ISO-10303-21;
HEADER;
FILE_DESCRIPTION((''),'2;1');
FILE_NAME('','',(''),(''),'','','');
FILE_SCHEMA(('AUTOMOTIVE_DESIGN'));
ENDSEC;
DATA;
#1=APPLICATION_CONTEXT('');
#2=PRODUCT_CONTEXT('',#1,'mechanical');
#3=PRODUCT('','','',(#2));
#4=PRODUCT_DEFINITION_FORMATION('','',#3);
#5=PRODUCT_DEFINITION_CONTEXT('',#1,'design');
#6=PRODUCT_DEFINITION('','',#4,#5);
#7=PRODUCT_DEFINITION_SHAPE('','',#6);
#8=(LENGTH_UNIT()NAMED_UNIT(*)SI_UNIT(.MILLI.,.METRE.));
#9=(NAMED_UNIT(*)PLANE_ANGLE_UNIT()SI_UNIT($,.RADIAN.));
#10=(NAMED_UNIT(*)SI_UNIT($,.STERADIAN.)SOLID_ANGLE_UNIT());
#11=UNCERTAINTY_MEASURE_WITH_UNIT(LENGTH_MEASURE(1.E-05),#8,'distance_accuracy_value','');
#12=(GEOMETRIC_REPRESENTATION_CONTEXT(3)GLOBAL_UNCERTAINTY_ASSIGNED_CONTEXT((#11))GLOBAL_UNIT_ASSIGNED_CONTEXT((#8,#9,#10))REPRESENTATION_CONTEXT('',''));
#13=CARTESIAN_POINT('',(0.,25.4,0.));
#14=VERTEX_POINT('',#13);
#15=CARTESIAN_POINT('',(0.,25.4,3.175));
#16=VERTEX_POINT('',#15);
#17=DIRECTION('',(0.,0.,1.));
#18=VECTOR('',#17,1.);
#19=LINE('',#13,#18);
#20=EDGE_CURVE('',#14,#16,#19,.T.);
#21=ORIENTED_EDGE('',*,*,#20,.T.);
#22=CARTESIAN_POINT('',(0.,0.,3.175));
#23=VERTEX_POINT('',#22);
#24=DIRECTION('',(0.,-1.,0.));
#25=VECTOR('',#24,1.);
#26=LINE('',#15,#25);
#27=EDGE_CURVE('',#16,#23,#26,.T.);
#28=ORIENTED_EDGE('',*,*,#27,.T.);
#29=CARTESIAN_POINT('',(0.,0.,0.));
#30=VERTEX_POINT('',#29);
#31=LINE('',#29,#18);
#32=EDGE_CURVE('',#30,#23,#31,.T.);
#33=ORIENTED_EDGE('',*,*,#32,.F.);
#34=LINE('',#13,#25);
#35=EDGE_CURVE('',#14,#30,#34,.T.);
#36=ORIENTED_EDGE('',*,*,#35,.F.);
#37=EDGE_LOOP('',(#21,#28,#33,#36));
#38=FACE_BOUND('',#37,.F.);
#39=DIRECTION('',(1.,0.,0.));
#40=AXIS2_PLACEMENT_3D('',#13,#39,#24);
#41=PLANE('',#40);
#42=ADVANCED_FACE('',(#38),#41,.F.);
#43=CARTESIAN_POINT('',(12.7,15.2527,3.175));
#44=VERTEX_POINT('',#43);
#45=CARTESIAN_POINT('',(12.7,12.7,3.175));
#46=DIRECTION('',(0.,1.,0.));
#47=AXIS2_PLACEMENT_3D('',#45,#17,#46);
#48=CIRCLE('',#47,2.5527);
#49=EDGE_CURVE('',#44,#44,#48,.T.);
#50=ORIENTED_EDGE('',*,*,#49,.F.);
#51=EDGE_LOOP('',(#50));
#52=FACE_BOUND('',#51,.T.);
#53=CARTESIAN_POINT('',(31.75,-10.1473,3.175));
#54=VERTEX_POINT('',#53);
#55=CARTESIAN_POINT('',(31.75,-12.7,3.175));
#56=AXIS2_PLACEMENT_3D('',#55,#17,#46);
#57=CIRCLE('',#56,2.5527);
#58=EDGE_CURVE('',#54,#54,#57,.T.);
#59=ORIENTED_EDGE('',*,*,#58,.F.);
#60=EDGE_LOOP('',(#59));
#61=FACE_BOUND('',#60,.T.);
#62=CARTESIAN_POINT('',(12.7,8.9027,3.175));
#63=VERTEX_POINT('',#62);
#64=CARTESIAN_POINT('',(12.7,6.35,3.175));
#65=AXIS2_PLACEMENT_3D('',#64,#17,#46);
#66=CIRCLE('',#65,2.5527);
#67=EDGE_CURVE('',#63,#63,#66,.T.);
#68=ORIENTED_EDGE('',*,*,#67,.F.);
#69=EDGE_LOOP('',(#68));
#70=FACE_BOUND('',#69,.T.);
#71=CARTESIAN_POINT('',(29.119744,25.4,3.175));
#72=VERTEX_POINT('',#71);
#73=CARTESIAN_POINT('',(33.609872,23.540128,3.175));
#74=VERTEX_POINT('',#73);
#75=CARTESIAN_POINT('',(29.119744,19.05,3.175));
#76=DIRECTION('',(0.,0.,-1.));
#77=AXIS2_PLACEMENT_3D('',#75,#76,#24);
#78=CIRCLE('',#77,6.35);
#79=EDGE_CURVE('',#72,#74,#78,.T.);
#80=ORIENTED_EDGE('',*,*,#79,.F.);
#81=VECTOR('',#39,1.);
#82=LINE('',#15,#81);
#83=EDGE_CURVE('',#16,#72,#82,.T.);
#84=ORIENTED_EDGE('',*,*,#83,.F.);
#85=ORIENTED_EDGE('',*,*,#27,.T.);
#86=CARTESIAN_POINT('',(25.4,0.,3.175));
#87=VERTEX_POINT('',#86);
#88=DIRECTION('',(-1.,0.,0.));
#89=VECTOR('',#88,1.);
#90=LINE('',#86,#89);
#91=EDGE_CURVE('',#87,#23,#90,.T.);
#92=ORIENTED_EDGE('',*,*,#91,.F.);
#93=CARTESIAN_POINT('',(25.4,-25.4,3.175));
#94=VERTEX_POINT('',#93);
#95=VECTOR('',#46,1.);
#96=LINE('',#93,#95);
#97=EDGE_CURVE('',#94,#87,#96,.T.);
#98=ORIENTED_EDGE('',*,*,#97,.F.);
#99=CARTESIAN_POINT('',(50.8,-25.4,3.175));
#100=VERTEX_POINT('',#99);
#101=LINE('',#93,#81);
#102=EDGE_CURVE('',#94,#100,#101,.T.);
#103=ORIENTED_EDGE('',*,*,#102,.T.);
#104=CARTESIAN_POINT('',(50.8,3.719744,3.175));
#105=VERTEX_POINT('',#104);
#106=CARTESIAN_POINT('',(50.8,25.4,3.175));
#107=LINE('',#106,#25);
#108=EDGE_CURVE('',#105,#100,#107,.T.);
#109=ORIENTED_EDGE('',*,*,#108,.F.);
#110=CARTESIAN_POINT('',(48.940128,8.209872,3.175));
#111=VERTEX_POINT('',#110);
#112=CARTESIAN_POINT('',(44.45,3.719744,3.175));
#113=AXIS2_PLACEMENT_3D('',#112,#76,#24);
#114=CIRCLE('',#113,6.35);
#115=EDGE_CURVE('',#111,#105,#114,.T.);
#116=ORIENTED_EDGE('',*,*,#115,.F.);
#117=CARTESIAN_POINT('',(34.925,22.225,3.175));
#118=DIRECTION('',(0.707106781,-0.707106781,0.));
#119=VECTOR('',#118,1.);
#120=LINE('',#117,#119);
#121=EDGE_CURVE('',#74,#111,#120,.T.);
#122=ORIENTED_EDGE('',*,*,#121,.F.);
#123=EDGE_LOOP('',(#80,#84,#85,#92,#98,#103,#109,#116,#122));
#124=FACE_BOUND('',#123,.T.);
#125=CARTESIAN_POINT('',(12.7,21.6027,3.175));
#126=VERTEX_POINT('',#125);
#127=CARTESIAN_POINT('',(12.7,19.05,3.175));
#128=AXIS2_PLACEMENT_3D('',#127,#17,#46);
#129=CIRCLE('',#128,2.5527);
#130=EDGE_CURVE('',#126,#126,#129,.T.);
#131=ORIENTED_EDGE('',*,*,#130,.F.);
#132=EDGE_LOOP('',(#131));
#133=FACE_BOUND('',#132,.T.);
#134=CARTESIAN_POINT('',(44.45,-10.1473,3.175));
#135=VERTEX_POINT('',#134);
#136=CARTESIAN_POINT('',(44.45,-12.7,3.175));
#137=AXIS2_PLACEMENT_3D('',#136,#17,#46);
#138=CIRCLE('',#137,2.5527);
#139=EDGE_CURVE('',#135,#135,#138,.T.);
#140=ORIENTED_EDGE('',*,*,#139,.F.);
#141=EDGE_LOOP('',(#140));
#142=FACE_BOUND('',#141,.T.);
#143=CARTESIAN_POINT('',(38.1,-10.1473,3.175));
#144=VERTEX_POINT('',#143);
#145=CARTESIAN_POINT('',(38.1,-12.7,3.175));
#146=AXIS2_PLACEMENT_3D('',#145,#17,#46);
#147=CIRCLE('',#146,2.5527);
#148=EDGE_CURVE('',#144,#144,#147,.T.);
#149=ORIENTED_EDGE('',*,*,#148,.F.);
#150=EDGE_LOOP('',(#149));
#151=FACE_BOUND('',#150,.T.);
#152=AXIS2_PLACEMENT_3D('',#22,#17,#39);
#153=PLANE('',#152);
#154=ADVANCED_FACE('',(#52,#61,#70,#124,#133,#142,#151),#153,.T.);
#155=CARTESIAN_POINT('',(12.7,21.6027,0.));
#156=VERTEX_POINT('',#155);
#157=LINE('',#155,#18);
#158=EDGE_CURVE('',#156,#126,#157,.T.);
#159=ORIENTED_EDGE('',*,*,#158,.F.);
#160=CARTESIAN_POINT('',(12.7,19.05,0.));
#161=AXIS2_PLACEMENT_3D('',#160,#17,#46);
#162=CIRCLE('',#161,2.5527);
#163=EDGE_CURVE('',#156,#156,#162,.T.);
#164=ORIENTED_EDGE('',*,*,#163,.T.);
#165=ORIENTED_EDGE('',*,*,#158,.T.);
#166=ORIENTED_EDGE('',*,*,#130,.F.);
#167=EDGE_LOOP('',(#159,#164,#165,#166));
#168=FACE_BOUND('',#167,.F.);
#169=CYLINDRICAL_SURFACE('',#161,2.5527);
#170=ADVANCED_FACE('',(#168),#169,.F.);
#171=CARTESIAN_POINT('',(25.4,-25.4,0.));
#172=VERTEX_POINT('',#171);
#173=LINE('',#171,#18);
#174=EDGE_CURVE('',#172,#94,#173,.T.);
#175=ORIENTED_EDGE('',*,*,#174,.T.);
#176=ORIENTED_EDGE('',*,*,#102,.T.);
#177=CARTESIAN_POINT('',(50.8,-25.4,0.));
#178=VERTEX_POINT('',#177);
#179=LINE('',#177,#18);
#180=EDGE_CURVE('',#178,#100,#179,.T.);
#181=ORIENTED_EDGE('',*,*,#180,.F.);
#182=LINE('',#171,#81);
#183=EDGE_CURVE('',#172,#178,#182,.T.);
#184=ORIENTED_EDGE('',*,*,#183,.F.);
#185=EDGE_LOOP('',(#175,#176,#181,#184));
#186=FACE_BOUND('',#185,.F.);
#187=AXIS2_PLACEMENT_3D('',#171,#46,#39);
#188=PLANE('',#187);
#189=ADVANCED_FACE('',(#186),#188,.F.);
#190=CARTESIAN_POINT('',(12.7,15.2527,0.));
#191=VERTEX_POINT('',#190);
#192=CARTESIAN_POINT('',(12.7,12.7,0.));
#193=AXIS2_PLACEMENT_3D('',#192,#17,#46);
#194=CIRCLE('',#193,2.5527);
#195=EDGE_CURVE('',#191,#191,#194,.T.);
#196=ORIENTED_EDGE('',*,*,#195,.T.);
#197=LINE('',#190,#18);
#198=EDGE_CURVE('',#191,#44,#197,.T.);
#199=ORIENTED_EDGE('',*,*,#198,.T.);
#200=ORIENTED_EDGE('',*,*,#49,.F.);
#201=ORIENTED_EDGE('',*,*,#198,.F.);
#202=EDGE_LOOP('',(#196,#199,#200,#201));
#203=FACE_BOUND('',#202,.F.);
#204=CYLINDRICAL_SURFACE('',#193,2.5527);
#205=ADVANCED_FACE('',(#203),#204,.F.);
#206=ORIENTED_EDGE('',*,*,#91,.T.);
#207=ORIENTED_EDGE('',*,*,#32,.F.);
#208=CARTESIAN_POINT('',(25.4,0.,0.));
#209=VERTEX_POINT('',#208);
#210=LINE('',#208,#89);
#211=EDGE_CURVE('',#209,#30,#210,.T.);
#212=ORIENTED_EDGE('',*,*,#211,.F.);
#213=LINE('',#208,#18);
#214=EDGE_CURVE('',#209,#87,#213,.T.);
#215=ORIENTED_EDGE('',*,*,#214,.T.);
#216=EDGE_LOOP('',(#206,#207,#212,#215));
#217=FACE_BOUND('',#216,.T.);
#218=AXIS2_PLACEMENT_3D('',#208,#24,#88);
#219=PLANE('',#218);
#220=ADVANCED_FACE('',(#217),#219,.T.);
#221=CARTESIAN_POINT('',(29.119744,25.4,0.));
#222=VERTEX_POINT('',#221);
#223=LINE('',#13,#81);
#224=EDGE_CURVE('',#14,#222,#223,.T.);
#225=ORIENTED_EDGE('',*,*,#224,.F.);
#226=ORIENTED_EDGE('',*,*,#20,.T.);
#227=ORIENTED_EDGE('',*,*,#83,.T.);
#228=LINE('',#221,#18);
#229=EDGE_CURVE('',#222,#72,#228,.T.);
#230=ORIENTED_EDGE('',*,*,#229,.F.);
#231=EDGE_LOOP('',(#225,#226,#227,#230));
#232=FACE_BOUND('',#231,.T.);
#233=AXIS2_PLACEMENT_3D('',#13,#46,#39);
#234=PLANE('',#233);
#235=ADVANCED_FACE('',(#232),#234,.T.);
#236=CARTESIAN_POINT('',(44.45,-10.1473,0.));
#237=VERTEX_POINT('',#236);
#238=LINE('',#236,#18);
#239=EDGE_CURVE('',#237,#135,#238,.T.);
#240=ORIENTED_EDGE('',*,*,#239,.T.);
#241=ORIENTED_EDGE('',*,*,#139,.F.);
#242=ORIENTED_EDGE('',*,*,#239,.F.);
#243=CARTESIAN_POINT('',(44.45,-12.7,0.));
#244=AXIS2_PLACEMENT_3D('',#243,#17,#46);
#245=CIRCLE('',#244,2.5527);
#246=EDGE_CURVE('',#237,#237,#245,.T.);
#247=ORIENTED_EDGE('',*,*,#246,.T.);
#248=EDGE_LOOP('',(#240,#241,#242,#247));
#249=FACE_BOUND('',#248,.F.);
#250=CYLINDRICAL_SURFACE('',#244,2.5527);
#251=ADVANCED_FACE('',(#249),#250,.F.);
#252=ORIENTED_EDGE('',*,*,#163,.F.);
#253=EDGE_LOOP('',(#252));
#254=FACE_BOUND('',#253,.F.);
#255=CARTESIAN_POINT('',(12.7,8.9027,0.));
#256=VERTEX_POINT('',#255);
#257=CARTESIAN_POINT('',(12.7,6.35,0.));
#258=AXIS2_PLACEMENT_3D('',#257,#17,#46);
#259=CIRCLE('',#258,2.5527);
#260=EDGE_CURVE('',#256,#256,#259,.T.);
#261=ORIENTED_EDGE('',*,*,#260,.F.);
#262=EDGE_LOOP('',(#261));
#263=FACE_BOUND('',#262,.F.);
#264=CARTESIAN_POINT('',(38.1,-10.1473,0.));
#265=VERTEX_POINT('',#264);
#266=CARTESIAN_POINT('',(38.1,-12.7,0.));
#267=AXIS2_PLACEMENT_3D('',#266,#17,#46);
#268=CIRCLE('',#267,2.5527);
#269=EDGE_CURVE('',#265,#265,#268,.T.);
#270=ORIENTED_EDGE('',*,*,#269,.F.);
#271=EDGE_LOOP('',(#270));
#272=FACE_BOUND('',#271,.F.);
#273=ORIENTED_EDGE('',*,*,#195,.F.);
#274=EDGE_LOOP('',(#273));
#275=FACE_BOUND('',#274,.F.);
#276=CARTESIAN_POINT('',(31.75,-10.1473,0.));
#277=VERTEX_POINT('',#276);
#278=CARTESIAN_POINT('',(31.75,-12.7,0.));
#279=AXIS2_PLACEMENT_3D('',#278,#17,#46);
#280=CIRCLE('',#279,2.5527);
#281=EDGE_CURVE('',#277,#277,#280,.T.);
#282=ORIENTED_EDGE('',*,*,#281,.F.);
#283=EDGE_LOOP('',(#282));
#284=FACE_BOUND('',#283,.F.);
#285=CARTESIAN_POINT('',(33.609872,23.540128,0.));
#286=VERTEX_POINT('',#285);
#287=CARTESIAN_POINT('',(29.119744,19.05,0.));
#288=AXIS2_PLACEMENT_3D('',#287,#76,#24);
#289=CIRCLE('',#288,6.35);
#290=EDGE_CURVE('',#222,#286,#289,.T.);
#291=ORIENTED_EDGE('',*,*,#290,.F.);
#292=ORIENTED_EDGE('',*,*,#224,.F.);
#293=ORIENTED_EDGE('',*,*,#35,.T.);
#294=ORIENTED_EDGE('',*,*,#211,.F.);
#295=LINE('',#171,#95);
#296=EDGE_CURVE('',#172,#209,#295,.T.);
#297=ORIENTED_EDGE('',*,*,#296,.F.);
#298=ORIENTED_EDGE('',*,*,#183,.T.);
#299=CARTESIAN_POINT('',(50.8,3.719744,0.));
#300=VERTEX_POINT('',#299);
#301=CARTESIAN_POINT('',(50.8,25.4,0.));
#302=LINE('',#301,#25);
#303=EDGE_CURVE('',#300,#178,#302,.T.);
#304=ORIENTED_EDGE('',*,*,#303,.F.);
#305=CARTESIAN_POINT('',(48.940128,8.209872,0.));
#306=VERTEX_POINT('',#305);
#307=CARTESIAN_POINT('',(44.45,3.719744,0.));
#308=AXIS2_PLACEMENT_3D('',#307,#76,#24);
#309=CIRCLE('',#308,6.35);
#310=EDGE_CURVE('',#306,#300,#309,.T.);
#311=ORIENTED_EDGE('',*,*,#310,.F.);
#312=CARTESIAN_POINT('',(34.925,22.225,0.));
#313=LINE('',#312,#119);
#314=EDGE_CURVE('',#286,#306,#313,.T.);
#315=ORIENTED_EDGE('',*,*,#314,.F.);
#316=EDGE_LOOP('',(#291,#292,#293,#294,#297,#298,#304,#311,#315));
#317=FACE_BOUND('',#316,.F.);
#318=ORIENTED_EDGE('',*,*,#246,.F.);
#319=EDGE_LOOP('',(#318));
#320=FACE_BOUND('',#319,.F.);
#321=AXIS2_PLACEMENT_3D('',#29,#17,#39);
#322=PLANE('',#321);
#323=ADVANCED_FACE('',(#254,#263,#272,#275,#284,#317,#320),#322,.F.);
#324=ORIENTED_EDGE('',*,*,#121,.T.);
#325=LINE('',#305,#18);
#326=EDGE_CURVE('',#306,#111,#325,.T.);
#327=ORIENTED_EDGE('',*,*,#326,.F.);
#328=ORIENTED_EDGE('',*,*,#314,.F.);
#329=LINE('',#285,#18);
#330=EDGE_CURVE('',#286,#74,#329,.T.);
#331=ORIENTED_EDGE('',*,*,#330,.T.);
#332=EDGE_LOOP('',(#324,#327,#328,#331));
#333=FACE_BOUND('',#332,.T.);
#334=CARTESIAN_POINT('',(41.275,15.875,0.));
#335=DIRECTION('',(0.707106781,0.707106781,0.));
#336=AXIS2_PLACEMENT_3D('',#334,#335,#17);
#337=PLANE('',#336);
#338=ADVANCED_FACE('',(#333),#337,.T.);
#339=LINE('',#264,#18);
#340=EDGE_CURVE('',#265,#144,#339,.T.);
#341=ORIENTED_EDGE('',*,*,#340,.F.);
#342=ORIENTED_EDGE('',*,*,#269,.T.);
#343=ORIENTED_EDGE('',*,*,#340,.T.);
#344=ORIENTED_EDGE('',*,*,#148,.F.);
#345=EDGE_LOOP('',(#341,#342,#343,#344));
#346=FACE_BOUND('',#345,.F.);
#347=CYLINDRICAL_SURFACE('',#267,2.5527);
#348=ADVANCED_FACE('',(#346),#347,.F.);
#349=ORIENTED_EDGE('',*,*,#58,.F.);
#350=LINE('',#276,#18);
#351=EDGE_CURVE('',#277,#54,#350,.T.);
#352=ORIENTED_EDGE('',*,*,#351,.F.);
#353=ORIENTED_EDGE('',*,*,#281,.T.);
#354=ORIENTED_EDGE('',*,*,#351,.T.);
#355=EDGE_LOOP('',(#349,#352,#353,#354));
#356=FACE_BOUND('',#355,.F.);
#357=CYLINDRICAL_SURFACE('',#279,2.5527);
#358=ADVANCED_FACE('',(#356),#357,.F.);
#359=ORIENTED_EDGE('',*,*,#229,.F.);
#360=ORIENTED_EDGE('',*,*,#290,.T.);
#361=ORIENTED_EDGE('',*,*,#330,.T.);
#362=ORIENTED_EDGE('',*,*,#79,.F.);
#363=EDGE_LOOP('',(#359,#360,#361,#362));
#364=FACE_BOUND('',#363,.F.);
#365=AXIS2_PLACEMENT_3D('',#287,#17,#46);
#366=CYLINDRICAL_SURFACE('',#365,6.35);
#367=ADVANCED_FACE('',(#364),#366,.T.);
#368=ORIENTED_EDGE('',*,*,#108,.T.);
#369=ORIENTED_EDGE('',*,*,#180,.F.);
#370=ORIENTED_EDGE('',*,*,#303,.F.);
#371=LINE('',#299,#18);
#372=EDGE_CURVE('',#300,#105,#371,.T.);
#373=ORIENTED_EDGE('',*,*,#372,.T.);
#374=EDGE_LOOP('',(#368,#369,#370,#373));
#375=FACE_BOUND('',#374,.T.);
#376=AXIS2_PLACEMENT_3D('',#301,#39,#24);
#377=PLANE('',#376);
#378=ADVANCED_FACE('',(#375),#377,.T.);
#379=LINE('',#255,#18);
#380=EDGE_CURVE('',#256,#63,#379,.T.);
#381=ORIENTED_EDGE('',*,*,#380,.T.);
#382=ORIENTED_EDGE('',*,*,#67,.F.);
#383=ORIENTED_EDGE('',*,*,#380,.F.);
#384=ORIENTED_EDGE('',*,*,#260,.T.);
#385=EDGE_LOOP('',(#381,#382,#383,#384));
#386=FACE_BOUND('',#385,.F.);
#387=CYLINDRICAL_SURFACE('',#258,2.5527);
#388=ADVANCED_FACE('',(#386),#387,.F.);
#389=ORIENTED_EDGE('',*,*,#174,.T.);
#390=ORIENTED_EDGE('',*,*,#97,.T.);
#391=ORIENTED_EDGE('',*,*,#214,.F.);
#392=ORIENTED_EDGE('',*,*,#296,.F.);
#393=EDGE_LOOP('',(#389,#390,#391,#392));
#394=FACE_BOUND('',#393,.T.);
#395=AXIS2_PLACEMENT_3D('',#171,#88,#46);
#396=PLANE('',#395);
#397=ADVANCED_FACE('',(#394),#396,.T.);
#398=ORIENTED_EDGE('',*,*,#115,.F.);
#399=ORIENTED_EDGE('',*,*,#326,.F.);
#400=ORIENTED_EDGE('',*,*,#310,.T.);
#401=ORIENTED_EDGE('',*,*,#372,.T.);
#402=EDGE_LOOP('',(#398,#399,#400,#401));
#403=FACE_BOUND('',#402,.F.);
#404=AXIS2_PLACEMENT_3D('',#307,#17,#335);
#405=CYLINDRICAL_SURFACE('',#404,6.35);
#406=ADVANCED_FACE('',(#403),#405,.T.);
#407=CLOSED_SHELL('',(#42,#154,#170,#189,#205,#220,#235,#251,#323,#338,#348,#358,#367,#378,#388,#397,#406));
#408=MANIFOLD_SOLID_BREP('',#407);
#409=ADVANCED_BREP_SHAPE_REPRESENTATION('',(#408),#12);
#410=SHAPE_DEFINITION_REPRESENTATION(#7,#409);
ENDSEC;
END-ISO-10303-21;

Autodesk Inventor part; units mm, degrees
ref_plane "YZ Plane" through (0, 0, 0) normal (1, 0, 0) x (0, 1, 0)
ref_plane "XZ Plane" through (0, 0, 0) normal (0, 1, 0) x (-1, 0, 0)
ref_plane "XY Plane" through (0, 0, 0) normal (0, 0, 1) x (1, 0, 0)
sketch "Sketch1" plane through (0, 0, 0) normal (0, 0, 1) x (1, 0, 0)
  line L0 (0, 0) -> (25.4, 0) construction
  line L1 (25.4, 0) -> (25.4, 76.2) construction
  line L2 (25.4, 76.2) -> (0, 76.2) construction
  line L3 (0, 76.2) -> (0, 0) construction
  line L4 (25.4, 0) -> (101.6, 0) construction
  line L5 (101.6, 0) -> (101.6, -25.4) construction
  line L6 (101.6, -25.4) -> (25.4, -25.4) construction
  line L7 (25.4, -25.4) -> (25.4, 0) construction
  line L8 (25.4, 0) -> (0, 0)
  line L9 (0, 25.4) -> (0, 0)
  line L10 (0, 25.4) -> (50.8, 25.4)
  line L11 (50.8, 25.4) -> (50.8, -25.4)
  line L12 (25.4, -25.4) -> (50.8, -25.4)
  line L13 (25.4, -25.4) -> (25.4, 0)
  point P0 (12.7, 6.35)
  point P1 (12.7, 19.05)
  point P2 (12.7, 12.7)
  point P3 (12.7, 0)
  point P4 (31.75, -12.7)
  point P5 (38.1, -12.7)
  point P6 (44.45, -12.7)
  point P7 (25.4, -12.7)
  dimension "d0" = 25.4
  dimension "d1" = 76.2
  dimension "d2" = 76.2
  dimension "d3" = 25.4
  dimension "d4" = 31.75
  dimension "d5" = 6.35
  dimension "d6" = 6.35
  dimension "d7" = 6.35
  dimension "d8" = 6.35
  dimension "d9" = 31.75
  dimension "d10" = 25.4
  dimension "d11" = 25.4
extrude "Extrusion1" add sketch "Sketch1" along normal blind 3.175
hole "Hole1" at (12.7, 6.35, 0) at (12.7, 19.05, 0) at (12.7, 12.7, 0) at (31.75, -12.7, 0) at (38.1, -12.7, 0) at (44.45, -12.7, 0) direction (0, 0, 1) diameter 5.1054 end through all clearance for "Flat Head Machine Screw (82)" size "#10" standard "Ansi Unified Screw Threads"
chamfer "Chamfer1" distance 19.05 angle 45 1 edges at (50.8, 25.4, 1.5875)
fillet "Fillet2" radius 6.35 2 edges at (31.75, 25.4, 1.5875) (50.8, 6.35, 1.5875)
equation "\"d6\" = d5"
equation "\"d10\" = d11"
properties part number "EL2-010" material "Aluminum 6061"
